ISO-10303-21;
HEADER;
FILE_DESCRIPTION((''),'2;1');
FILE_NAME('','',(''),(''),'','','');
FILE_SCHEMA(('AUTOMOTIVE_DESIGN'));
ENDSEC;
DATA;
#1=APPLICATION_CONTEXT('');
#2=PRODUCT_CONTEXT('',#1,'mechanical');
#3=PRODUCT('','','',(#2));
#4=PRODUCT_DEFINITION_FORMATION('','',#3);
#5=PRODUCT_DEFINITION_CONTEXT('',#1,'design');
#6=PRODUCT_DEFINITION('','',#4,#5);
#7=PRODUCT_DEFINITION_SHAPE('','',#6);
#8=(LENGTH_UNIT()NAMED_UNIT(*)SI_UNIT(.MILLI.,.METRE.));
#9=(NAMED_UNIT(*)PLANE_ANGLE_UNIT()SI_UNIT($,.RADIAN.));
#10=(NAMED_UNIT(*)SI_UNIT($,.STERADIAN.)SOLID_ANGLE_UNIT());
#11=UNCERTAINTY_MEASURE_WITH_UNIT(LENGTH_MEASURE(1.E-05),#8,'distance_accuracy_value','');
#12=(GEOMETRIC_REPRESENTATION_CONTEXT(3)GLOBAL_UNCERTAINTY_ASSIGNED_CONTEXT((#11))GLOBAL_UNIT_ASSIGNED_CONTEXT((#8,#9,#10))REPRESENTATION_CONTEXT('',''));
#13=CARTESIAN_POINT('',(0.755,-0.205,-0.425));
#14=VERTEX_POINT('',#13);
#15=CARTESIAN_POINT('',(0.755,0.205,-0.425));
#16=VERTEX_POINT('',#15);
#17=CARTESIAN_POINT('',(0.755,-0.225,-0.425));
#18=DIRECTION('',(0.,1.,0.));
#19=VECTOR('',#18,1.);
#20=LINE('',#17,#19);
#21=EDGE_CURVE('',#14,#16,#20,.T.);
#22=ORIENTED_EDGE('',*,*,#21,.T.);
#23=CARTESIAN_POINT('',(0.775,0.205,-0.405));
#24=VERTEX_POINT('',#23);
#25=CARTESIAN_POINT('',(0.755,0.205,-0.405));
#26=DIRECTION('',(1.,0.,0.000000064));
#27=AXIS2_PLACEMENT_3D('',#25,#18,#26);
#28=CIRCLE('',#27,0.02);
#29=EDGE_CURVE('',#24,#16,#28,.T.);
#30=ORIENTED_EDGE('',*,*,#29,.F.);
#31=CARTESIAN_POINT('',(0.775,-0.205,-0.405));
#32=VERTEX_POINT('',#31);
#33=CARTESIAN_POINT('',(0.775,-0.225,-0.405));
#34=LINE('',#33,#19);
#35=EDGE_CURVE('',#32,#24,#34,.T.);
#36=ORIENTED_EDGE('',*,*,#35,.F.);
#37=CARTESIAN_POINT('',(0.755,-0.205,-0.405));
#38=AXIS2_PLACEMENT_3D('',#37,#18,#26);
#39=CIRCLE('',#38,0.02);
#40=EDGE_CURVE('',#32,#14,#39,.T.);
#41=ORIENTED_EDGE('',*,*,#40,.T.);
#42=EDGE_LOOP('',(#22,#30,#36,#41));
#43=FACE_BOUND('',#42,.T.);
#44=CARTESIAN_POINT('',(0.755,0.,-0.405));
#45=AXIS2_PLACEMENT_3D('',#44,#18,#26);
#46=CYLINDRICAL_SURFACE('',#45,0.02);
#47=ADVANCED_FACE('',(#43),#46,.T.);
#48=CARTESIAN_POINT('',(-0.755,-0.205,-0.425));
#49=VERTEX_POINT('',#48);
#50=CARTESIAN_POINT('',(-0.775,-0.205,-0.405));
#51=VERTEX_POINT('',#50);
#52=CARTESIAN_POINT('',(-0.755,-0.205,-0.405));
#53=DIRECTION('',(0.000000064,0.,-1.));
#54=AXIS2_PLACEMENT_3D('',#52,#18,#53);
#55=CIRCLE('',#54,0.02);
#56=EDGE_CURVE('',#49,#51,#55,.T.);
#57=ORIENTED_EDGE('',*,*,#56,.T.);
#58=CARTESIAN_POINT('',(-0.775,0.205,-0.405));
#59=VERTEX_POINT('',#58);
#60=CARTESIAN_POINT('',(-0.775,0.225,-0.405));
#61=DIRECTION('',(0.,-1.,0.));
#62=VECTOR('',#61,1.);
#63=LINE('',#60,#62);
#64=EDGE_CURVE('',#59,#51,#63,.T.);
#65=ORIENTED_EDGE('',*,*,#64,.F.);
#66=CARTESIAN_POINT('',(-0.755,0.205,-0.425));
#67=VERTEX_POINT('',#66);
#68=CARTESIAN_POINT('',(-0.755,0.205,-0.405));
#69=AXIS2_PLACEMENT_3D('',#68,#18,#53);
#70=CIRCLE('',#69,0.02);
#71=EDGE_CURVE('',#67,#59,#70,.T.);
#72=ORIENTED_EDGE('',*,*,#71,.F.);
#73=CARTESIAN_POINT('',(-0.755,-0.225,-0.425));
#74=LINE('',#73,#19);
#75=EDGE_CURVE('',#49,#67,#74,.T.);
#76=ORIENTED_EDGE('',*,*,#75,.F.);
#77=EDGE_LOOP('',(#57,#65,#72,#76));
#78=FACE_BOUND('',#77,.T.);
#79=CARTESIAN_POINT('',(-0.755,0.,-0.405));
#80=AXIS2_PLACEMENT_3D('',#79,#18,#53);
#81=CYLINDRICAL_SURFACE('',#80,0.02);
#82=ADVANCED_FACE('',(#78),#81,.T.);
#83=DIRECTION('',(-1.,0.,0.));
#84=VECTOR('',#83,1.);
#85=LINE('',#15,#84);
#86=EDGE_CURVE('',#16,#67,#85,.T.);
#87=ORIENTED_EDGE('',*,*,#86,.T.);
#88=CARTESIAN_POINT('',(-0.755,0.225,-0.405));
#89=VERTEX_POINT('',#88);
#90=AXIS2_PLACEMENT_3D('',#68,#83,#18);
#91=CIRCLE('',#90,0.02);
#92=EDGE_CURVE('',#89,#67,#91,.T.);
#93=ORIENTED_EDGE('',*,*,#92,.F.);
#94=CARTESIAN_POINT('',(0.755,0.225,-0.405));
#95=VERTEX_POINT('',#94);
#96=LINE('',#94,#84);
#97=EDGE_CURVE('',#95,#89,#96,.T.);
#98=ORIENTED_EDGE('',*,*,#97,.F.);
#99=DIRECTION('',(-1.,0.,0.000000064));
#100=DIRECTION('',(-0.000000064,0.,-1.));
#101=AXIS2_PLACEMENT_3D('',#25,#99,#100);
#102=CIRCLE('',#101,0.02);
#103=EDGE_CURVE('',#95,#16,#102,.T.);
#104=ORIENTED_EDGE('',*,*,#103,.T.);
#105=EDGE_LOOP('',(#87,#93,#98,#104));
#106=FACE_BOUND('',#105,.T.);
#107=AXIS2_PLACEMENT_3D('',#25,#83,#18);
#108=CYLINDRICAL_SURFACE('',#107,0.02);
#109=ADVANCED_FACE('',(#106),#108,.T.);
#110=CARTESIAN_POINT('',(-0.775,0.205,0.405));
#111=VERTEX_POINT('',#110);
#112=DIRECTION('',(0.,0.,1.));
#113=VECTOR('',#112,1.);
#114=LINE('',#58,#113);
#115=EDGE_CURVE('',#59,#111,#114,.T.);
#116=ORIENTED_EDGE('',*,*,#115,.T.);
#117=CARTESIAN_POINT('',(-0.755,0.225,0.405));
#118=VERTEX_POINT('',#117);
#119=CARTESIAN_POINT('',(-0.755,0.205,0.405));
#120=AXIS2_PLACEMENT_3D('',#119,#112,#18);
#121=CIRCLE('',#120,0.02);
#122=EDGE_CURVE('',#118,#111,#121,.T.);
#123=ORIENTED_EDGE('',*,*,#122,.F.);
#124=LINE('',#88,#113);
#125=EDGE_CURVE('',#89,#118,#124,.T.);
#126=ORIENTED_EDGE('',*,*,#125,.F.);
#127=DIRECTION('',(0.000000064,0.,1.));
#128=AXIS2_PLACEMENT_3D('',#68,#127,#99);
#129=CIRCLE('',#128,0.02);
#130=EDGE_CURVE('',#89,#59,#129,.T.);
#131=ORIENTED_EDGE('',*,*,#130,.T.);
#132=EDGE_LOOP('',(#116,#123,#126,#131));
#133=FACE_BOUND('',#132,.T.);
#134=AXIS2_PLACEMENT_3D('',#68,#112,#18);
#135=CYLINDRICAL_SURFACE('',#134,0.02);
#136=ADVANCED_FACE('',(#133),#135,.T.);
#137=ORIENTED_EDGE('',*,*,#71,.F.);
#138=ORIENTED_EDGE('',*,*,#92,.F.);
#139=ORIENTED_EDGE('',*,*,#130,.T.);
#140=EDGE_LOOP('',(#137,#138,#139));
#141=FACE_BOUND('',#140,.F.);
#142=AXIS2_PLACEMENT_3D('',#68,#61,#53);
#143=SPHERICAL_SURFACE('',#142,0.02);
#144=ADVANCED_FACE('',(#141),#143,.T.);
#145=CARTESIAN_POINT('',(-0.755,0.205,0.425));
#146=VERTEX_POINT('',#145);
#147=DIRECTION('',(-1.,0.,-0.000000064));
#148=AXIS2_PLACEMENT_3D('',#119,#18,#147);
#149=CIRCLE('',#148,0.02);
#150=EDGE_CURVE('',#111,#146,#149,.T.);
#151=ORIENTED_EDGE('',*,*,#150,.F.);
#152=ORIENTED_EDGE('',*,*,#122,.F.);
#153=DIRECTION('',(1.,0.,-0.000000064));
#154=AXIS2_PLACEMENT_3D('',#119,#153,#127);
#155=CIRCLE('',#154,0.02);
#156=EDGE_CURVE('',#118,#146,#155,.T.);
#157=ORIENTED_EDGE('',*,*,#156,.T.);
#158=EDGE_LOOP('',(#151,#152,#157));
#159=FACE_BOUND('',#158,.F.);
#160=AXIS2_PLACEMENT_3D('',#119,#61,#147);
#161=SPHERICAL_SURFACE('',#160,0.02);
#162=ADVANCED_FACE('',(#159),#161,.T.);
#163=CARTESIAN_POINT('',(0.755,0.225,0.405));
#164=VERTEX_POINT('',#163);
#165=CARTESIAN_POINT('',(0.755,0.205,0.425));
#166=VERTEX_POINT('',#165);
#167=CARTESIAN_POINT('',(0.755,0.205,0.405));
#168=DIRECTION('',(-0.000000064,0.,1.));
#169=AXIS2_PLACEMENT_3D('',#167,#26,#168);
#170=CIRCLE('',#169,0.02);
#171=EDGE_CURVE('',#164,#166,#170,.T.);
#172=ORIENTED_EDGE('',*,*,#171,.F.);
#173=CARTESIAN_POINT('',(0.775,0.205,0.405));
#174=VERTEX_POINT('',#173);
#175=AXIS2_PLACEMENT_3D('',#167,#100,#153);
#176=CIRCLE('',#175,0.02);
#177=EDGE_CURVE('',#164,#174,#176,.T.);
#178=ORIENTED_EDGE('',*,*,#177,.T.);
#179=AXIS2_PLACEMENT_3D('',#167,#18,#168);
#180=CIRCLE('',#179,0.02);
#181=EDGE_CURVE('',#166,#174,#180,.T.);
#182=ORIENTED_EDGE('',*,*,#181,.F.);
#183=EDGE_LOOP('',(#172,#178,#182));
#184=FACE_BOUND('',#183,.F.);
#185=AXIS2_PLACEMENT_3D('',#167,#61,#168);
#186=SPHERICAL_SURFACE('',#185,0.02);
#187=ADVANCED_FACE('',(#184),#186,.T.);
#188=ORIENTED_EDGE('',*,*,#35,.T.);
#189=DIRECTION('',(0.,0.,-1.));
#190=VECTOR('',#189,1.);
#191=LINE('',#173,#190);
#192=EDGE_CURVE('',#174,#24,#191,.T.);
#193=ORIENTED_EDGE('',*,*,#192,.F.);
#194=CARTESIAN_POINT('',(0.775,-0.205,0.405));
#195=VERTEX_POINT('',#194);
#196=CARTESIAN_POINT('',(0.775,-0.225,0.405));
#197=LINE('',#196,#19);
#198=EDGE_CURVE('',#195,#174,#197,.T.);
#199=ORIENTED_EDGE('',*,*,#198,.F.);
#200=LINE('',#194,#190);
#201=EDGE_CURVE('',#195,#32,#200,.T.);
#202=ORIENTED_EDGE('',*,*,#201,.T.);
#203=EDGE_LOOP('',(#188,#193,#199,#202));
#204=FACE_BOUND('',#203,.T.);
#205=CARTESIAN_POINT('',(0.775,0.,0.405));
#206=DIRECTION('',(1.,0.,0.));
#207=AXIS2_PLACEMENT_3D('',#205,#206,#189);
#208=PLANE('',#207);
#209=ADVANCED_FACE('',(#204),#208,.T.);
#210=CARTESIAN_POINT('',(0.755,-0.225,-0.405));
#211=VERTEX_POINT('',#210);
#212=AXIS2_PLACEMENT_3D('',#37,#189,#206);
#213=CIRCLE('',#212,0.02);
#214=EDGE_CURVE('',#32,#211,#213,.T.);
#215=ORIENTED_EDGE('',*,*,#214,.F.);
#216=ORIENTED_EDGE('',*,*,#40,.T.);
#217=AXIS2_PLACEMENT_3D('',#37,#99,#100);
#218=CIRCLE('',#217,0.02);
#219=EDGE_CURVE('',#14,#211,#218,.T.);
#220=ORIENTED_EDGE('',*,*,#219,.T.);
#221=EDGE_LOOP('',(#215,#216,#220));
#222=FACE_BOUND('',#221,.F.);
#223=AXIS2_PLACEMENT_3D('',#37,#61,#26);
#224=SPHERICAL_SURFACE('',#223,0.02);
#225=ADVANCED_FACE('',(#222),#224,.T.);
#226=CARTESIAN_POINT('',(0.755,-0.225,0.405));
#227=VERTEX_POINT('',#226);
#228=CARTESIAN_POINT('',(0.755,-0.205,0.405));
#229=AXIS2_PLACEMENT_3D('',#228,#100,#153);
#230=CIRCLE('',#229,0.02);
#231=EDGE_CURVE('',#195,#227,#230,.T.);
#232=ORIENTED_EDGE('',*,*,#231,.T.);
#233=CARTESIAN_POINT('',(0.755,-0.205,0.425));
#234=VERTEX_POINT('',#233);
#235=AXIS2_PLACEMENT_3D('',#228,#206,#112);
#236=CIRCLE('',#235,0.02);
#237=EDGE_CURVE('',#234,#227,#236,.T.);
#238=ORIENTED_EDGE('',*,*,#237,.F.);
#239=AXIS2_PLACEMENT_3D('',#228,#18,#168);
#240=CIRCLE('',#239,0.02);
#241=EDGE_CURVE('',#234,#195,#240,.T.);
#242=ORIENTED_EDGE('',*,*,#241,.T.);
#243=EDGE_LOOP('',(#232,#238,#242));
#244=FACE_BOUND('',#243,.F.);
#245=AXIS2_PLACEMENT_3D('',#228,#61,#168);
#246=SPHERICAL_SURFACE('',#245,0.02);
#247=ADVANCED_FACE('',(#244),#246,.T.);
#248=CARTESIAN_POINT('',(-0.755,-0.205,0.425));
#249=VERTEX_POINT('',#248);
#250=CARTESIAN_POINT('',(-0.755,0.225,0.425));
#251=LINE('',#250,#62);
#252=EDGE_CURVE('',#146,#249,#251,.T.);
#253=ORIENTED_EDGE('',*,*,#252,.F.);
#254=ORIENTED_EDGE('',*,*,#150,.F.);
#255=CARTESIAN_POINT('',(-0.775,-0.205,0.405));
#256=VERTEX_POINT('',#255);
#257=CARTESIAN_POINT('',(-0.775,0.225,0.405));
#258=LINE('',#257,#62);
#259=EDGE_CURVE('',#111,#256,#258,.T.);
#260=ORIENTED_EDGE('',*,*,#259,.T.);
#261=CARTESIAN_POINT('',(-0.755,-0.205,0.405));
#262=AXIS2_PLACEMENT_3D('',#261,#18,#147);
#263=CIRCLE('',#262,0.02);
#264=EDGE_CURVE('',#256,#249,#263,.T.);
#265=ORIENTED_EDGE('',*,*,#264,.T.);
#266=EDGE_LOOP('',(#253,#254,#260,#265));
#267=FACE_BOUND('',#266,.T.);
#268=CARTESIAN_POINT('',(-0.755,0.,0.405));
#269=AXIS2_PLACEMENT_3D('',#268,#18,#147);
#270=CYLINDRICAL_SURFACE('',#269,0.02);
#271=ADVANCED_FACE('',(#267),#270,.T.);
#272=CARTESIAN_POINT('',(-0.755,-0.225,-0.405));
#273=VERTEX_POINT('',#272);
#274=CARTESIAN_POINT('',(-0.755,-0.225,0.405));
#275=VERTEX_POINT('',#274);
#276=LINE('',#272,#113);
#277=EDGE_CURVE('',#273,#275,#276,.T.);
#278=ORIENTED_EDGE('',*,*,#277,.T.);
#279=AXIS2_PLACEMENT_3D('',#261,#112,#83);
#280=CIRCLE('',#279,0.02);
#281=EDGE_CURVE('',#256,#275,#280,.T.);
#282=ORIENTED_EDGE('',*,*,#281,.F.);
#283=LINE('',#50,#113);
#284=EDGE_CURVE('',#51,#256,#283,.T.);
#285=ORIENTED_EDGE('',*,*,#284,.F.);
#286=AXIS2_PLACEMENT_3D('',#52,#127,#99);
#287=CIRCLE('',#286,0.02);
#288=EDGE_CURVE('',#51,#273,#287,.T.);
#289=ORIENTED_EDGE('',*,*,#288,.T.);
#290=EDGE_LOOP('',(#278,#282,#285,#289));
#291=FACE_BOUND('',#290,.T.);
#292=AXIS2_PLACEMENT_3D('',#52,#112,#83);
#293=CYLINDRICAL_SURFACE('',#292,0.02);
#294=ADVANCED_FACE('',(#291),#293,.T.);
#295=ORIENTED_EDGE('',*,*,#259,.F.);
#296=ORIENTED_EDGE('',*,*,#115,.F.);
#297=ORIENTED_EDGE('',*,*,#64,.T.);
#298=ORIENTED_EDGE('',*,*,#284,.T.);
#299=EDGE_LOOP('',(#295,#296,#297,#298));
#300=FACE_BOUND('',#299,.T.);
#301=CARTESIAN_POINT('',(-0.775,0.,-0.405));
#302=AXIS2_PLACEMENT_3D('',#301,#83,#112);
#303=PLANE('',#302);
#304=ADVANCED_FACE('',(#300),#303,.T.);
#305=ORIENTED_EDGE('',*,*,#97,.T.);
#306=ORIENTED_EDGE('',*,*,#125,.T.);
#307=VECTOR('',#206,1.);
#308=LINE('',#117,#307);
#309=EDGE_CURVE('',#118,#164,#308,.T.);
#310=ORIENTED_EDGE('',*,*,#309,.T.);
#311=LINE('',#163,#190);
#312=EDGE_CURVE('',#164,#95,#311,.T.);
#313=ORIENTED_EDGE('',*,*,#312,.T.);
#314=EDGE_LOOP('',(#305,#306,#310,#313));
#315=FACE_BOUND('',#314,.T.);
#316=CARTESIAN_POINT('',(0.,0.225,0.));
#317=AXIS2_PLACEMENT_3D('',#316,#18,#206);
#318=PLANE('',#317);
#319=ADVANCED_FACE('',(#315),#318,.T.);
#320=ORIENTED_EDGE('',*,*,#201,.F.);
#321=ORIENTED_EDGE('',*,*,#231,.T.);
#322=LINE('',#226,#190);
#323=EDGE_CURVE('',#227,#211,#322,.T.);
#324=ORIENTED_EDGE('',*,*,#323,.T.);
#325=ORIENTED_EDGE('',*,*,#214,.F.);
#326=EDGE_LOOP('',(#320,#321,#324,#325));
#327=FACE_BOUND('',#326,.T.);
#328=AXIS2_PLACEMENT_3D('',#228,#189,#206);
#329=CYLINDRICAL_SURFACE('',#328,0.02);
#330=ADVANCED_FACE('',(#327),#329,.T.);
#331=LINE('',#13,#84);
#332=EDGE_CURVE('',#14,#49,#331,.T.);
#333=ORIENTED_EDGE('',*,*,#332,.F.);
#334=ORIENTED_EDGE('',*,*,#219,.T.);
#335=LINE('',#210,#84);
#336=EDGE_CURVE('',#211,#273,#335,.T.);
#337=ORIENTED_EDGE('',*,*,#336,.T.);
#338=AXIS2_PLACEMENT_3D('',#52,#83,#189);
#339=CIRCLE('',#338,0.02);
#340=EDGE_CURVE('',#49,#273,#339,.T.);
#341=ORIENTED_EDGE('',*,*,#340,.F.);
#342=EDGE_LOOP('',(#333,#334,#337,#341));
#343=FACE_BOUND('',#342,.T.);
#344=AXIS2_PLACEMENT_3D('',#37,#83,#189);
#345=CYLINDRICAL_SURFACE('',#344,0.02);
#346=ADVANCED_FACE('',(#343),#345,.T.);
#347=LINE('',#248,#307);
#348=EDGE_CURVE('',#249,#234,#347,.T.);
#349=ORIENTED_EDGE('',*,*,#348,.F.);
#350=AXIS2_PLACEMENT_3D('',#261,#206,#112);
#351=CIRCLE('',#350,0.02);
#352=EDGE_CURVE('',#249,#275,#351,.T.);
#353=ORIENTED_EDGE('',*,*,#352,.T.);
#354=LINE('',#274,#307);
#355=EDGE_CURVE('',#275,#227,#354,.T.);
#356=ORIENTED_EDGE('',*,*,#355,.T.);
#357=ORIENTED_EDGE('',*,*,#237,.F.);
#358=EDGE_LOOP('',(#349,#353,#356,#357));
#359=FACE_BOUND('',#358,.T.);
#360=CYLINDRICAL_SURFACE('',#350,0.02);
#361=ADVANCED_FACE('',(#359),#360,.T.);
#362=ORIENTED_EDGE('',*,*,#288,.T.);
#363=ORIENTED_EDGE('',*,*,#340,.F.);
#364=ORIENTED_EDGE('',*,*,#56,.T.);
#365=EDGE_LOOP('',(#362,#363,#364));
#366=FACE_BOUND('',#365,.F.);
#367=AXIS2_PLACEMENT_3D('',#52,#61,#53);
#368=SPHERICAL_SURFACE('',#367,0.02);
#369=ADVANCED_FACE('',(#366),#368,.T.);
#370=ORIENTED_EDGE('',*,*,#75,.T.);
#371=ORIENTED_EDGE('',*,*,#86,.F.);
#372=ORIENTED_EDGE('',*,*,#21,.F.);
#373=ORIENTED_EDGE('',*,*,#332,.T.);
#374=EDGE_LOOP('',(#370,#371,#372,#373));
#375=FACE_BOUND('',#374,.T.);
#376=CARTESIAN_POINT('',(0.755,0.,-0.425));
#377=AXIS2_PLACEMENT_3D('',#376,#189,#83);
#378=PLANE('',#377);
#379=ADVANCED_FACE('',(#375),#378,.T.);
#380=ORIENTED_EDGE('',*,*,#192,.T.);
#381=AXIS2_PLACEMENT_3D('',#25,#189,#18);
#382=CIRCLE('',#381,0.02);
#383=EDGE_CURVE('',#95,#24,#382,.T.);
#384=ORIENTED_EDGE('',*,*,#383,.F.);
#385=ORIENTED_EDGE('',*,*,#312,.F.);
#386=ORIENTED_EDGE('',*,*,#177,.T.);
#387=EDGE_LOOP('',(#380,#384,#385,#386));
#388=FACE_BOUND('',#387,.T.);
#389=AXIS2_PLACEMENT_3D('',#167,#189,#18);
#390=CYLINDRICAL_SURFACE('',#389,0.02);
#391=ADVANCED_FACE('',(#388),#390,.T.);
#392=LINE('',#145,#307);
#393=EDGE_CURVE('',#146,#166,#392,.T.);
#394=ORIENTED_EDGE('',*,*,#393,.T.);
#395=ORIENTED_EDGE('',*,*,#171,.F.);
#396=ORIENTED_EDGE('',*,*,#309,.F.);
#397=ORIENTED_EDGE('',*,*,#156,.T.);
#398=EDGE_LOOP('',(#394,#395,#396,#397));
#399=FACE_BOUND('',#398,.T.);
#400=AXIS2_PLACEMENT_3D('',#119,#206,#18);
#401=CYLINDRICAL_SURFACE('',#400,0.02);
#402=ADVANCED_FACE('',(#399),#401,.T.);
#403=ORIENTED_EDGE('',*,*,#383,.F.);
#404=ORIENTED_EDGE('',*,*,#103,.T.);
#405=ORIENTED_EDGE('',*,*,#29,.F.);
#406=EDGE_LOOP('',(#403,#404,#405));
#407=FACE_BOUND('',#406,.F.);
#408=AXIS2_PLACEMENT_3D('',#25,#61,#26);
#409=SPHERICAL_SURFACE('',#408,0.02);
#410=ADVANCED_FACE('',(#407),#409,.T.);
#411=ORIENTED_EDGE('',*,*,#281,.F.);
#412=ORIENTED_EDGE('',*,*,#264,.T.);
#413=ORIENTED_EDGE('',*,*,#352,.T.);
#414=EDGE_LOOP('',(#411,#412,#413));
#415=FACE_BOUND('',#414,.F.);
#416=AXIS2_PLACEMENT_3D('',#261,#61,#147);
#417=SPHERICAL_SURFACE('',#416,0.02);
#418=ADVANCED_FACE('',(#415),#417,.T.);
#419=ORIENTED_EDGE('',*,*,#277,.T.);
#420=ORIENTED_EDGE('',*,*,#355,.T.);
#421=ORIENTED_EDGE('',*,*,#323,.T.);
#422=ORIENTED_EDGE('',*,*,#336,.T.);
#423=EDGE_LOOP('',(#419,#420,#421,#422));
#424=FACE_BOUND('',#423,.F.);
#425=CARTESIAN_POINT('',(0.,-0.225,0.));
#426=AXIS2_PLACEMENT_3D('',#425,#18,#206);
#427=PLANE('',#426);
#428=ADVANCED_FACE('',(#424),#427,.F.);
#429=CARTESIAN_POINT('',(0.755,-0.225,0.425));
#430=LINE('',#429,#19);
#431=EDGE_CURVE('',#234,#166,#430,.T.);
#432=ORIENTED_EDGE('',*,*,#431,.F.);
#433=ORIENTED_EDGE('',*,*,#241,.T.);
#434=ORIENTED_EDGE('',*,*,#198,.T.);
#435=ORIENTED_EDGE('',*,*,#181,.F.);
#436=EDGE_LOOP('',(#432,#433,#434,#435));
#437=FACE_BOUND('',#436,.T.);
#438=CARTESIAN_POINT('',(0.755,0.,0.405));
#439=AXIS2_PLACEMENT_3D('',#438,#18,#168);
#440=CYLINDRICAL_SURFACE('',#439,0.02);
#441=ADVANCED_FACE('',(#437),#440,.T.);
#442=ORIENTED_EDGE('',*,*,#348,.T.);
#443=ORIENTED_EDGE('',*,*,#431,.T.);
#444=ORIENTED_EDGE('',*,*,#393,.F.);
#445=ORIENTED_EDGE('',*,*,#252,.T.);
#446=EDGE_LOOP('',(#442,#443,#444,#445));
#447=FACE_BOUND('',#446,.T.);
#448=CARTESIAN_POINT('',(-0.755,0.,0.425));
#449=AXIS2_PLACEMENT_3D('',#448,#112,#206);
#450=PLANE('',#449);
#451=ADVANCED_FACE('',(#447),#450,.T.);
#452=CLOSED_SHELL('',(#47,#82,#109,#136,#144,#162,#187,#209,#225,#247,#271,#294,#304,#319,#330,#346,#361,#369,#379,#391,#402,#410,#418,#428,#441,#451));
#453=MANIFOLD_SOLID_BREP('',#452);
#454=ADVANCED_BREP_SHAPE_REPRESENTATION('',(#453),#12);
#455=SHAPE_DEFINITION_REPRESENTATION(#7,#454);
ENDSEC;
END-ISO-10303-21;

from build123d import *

# Parameters (mm, degrees)
BOSS_EXTRUDE1_DEPTH = 0.225
FILLET2_R           = 0.02


with BuildPart() as part:
    # Sketch1 → Boss-Extrude1 (new, symmetric)
    with BuildSketch(Plane(origin=(0, 0, 0), x_dir=(1, 0, 0), z_dir=(0, 1, 0))):
        with BuildLine():
            Line((-0.755, -0.425), (0.755, -0.425))
            ThreePointArc((0.755, -0.425), (0.769142136, -0.419142136), (0.775, -0.405))
            Line((0.775, -0.405), (0.775, 0.405))
            ThreePointArc((0.775, 0.405), (0.769142136, 0.419142136), (0.755, 0.425))
            Line((0.755, 0.425), (-0.755, 0.425))
            ThreePointArc((-0.755, 0.425), (-0.769142136, 0.419142136), (-0.775, 0.405))
            Line((-0.775, 0.405), (-0.775, -0.405))
            ThreePointArc((-0.775, -0.405), (-0.769142136, -0.419142136), (-0.755, -0.425))
        make_face()
    extrude(amount=BOSS_EXTRUDE1_DEPTH, both=True)

    # Fillet2
    fillet2_edges = [part.edges().sort_by_distance(p)[0] for p in [
        (0.769142136, 0.225, 0.419142136),
        (0, -0.225, 0.425),
        (-0.769142136, -0.225, 0.419142136),
        (0, -0.225, 0.425),
        (0, -0.225, 0.425),
        (0, -0.225, -0.425),
        (0, -0.225, -0.425),
        (0.775, 0.225, 0),
        (0.769142136, 0.225, -0.419142136),
        (0, 0.225, -0.425),
        (-0.769142136, 0.225, -0.419142136),
        (-0.775, 0.225, 0),
        (-0.769142136, 0.225, 0.419142136),
        (0, 0.225, 0.425),
        (-0.775, -0.225, 0),
        (-0.769142136, -0.225, -0.419142136),
        (0, -0.225, -0.425),
        (0, 0.225, 0.425),
        (0, 0.225, -0.425),
        (0.769142136, -0.225, -0.419142136),
        (0.775, -0.225, 0),
        (0, 0.225, -0.425),
        (0, 0.225, 0.425),
        (0.769142136, -0.225, 0.419142136),
    ]]
    fillet(fillet2_edges, radius=FILLET2_R)


solid = part.part
